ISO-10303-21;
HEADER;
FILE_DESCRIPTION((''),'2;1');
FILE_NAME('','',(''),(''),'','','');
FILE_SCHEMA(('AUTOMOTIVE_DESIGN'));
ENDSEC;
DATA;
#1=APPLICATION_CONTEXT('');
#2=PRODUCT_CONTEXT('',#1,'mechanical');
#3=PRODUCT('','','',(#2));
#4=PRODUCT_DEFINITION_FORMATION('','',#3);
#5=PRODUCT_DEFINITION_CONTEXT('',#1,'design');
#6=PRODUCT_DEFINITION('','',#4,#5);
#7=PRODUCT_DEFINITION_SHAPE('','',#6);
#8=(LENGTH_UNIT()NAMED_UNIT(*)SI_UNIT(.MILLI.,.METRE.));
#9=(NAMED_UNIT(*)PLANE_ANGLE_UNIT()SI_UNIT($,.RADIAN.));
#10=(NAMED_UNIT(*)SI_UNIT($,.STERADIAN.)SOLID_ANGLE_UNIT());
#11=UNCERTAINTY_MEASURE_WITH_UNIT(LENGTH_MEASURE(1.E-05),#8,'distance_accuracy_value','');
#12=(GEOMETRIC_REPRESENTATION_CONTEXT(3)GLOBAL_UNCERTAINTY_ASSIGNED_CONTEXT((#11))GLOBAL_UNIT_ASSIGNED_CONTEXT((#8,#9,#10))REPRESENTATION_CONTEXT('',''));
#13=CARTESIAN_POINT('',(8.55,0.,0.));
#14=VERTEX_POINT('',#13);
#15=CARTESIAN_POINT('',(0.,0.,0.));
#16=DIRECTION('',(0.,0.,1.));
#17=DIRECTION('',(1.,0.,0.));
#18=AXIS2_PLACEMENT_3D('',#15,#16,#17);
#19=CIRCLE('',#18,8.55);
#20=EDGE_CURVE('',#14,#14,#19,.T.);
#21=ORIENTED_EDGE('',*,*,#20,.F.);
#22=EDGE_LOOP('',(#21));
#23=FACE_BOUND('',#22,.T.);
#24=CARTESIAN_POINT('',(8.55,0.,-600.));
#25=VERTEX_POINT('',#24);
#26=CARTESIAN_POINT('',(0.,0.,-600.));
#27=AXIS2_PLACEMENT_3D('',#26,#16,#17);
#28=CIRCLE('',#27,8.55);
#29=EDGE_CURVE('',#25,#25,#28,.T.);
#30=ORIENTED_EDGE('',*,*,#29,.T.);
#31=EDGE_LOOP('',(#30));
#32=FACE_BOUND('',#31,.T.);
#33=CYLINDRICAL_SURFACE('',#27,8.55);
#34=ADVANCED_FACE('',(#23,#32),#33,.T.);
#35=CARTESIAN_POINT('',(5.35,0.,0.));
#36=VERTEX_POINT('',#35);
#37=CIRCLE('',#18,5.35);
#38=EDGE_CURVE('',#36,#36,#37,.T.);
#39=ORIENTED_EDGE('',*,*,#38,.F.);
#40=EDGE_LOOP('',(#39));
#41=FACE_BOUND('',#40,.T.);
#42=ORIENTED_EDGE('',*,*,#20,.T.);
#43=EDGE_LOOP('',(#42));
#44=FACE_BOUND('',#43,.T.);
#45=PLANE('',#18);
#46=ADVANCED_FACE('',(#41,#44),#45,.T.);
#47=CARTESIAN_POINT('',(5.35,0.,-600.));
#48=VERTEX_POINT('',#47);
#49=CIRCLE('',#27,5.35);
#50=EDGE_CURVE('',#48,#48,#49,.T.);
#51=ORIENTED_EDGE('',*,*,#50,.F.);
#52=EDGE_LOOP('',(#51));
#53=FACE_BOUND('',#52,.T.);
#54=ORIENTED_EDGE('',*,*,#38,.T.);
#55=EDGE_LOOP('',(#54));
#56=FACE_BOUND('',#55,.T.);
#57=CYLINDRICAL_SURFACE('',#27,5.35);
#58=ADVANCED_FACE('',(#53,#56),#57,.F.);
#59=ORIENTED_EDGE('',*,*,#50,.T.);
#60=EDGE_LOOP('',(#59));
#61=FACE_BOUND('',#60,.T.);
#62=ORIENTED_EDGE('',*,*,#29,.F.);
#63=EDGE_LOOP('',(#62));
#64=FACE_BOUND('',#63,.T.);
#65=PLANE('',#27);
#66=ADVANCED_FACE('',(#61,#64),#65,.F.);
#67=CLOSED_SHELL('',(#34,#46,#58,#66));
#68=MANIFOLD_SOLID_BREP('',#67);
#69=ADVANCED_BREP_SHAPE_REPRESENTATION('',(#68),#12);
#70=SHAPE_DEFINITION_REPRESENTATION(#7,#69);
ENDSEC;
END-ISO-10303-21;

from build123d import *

# Parameters (mm, degrees)
SKETCH1_R           = 8.55
SKETCH1_R_2         = 5.35
BOSS_EXTRUDE1_DEPTH = 600


with BuildPart() as part:
    # Sketch1 → Boss-Extrude1 (new body)
    with BuildSketch(Plane.XY):
        Circle(SKETCH1_R)
        Circle(SKETCH1_R_2, mode=Mode.SUBTRACT)
    extrude(amount=-BOSS_EXTRUDE1_DEPTH)


solid = part.part
